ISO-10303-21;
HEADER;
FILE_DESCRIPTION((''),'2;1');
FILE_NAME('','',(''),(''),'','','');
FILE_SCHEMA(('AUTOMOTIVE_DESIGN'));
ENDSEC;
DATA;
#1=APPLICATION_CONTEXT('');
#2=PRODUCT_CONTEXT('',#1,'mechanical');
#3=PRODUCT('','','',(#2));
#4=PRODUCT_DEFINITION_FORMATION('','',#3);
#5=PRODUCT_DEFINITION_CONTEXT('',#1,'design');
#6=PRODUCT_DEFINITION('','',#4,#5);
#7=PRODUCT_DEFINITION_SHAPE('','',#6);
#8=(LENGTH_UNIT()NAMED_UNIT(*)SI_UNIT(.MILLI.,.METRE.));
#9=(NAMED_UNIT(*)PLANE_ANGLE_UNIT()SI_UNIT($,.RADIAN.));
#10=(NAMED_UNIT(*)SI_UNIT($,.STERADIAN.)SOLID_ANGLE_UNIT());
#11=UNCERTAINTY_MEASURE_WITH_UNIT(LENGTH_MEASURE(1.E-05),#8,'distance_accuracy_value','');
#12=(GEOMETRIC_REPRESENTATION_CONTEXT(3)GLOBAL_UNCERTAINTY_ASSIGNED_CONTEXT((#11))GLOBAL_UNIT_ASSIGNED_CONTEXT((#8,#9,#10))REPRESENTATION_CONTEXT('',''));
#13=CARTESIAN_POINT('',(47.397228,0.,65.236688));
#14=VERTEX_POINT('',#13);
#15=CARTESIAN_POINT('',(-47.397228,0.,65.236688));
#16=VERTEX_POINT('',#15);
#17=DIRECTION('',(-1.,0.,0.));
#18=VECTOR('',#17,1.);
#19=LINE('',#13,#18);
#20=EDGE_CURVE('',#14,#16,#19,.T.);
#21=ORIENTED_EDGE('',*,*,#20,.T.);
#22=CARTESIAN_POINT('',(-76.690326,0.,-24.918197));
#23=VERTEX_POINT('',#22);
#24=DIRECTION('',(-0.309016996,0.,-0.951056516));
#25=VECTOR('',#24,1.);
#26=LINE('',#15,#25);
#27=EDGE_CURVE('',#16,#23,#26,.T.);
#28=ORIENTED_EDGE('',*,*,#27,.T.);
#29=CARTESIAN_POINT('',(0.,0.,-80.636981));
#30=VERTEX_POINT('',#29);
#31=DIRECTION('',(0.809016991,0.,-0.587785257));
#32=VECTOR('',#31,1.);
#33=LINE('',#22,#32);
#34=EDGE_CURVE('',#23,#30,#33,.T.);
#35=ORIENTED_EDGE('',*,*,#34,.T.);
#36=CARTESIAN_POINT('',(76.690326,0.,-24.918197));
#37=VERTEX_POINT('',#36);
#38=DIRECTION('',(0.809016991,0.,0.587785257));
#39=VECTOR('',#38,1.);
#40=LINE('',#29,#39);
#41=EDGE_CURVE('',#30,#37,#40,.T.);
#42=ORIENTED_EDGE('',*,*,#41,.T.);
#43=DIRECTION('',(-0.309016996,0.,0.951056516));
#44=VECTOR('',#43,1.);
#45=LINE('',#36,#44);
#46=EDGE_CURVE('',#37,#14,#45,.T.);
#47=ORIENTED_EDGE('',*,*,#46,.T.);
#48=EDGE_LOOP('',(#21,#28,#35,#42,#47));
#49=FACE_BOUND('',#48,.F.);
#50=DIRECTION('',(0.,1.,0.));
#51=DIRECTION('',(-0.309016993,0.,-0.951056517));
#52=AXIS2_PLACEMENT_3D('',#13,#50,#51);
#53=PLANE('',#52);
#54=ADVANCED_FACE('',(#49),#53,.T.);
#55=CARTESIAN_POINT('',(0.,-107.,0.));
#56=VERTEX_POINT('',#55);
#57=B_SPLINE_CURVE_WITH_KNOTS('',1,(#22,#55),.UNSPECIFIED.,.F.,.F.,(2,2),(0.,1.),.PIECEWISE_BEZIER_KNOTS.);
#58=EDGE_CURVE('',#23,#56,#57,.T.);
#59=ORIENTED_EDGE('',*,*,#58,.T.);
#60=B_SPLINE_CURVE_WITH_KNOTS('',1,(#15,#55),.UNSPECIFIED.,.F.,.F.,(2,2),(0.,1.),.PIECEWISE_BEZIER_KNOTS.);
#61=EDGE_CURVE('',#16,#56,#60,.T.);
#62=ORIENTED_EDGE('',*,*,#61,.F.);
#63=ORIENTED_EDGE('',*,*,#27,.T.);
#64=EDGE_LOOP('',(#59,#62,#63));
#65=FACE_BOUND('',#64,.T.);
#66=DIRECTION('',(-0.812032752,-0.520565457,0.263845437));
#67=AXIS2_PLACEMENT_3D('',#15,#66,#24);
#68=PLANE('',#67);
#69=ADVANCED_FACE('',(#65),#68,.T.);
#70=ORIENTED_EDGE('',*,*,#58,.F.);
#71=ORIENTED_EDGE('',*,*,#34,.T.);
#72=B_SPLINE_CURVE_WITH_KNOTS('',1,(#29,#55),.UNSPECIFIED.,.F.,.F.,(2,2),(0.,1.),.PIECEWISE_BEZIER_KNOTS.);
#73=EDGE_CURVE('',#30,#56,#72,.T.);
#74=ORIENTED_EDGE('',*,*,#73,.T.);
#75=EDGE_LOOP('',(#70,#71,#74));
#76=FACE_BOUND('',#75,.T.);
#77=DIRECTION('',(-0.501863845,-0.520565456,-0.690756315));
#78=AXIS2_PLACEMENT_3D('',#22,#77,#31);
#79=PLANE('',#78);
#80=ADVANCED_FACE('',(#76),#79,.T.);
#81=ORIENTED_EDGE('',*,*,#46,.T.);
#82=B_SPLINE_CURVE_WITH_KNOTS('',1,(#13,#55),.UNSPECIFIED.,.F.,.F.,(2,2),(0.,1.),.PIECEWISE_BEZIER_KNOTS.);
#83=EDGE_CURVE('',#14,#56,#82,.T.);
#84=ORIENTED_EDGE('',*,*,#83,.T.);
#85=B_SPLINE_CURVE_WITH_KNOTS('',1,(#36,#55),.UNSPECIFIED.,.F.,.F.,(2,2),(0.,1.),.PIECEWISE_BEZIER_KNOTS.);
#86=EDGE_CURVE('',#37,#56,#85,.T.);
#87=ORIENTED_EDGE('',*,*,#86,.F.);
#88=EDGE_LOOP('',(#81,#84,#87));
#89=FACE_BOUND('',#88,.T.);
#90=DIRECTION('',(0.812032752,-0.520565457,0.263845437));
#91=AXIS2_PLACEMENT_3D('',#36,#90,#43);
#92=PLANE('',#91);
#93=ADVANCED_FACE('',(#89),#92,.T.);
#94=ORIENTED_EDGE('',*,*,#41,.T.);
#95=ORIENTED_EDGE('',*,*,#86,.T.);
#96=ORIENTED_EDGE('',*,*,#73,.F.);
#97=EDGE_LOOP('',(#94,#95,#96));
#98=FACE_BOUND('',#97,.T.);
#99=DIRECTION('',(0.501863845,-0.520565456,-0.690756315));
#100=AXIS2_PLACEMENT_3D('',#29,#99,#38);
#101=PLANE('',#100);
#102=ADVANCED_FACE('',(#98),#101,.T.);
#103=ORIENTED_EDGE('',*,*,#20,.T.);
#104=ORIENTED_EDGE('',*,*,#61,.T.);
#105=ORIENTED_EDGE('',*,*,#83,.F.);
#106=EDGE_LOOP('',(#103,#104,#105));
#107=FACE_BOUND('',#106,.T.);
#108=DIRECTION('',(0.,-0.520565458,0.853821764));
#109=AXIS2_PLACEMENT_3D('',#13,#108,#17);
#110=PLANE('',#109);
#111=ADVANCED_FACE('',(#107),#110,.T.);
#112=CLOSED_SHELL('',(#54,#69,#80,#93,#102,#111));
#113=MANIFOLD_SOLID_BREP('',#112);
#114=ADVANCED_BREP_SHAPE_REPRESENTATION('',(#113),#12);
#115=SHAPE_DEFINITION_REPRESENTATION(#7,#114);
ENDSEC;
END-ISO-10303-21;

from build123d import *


with BuildPart() as f3:
    # F0 (on Front) → F3 section 0
    with BuildSketch(Plane.XZ, mode=Mode.PRIVATE) as f3_s0:
        Polygon((47.397228, 65.236688), (-47.397228, 65.236688), (-76.690326, -24.918197), (0, -80.636981), (76.690326, -24.918197), align=None)
    loft([f3_s0.sketch, Vertex(0, -107, 0)])


solid = f3.part
